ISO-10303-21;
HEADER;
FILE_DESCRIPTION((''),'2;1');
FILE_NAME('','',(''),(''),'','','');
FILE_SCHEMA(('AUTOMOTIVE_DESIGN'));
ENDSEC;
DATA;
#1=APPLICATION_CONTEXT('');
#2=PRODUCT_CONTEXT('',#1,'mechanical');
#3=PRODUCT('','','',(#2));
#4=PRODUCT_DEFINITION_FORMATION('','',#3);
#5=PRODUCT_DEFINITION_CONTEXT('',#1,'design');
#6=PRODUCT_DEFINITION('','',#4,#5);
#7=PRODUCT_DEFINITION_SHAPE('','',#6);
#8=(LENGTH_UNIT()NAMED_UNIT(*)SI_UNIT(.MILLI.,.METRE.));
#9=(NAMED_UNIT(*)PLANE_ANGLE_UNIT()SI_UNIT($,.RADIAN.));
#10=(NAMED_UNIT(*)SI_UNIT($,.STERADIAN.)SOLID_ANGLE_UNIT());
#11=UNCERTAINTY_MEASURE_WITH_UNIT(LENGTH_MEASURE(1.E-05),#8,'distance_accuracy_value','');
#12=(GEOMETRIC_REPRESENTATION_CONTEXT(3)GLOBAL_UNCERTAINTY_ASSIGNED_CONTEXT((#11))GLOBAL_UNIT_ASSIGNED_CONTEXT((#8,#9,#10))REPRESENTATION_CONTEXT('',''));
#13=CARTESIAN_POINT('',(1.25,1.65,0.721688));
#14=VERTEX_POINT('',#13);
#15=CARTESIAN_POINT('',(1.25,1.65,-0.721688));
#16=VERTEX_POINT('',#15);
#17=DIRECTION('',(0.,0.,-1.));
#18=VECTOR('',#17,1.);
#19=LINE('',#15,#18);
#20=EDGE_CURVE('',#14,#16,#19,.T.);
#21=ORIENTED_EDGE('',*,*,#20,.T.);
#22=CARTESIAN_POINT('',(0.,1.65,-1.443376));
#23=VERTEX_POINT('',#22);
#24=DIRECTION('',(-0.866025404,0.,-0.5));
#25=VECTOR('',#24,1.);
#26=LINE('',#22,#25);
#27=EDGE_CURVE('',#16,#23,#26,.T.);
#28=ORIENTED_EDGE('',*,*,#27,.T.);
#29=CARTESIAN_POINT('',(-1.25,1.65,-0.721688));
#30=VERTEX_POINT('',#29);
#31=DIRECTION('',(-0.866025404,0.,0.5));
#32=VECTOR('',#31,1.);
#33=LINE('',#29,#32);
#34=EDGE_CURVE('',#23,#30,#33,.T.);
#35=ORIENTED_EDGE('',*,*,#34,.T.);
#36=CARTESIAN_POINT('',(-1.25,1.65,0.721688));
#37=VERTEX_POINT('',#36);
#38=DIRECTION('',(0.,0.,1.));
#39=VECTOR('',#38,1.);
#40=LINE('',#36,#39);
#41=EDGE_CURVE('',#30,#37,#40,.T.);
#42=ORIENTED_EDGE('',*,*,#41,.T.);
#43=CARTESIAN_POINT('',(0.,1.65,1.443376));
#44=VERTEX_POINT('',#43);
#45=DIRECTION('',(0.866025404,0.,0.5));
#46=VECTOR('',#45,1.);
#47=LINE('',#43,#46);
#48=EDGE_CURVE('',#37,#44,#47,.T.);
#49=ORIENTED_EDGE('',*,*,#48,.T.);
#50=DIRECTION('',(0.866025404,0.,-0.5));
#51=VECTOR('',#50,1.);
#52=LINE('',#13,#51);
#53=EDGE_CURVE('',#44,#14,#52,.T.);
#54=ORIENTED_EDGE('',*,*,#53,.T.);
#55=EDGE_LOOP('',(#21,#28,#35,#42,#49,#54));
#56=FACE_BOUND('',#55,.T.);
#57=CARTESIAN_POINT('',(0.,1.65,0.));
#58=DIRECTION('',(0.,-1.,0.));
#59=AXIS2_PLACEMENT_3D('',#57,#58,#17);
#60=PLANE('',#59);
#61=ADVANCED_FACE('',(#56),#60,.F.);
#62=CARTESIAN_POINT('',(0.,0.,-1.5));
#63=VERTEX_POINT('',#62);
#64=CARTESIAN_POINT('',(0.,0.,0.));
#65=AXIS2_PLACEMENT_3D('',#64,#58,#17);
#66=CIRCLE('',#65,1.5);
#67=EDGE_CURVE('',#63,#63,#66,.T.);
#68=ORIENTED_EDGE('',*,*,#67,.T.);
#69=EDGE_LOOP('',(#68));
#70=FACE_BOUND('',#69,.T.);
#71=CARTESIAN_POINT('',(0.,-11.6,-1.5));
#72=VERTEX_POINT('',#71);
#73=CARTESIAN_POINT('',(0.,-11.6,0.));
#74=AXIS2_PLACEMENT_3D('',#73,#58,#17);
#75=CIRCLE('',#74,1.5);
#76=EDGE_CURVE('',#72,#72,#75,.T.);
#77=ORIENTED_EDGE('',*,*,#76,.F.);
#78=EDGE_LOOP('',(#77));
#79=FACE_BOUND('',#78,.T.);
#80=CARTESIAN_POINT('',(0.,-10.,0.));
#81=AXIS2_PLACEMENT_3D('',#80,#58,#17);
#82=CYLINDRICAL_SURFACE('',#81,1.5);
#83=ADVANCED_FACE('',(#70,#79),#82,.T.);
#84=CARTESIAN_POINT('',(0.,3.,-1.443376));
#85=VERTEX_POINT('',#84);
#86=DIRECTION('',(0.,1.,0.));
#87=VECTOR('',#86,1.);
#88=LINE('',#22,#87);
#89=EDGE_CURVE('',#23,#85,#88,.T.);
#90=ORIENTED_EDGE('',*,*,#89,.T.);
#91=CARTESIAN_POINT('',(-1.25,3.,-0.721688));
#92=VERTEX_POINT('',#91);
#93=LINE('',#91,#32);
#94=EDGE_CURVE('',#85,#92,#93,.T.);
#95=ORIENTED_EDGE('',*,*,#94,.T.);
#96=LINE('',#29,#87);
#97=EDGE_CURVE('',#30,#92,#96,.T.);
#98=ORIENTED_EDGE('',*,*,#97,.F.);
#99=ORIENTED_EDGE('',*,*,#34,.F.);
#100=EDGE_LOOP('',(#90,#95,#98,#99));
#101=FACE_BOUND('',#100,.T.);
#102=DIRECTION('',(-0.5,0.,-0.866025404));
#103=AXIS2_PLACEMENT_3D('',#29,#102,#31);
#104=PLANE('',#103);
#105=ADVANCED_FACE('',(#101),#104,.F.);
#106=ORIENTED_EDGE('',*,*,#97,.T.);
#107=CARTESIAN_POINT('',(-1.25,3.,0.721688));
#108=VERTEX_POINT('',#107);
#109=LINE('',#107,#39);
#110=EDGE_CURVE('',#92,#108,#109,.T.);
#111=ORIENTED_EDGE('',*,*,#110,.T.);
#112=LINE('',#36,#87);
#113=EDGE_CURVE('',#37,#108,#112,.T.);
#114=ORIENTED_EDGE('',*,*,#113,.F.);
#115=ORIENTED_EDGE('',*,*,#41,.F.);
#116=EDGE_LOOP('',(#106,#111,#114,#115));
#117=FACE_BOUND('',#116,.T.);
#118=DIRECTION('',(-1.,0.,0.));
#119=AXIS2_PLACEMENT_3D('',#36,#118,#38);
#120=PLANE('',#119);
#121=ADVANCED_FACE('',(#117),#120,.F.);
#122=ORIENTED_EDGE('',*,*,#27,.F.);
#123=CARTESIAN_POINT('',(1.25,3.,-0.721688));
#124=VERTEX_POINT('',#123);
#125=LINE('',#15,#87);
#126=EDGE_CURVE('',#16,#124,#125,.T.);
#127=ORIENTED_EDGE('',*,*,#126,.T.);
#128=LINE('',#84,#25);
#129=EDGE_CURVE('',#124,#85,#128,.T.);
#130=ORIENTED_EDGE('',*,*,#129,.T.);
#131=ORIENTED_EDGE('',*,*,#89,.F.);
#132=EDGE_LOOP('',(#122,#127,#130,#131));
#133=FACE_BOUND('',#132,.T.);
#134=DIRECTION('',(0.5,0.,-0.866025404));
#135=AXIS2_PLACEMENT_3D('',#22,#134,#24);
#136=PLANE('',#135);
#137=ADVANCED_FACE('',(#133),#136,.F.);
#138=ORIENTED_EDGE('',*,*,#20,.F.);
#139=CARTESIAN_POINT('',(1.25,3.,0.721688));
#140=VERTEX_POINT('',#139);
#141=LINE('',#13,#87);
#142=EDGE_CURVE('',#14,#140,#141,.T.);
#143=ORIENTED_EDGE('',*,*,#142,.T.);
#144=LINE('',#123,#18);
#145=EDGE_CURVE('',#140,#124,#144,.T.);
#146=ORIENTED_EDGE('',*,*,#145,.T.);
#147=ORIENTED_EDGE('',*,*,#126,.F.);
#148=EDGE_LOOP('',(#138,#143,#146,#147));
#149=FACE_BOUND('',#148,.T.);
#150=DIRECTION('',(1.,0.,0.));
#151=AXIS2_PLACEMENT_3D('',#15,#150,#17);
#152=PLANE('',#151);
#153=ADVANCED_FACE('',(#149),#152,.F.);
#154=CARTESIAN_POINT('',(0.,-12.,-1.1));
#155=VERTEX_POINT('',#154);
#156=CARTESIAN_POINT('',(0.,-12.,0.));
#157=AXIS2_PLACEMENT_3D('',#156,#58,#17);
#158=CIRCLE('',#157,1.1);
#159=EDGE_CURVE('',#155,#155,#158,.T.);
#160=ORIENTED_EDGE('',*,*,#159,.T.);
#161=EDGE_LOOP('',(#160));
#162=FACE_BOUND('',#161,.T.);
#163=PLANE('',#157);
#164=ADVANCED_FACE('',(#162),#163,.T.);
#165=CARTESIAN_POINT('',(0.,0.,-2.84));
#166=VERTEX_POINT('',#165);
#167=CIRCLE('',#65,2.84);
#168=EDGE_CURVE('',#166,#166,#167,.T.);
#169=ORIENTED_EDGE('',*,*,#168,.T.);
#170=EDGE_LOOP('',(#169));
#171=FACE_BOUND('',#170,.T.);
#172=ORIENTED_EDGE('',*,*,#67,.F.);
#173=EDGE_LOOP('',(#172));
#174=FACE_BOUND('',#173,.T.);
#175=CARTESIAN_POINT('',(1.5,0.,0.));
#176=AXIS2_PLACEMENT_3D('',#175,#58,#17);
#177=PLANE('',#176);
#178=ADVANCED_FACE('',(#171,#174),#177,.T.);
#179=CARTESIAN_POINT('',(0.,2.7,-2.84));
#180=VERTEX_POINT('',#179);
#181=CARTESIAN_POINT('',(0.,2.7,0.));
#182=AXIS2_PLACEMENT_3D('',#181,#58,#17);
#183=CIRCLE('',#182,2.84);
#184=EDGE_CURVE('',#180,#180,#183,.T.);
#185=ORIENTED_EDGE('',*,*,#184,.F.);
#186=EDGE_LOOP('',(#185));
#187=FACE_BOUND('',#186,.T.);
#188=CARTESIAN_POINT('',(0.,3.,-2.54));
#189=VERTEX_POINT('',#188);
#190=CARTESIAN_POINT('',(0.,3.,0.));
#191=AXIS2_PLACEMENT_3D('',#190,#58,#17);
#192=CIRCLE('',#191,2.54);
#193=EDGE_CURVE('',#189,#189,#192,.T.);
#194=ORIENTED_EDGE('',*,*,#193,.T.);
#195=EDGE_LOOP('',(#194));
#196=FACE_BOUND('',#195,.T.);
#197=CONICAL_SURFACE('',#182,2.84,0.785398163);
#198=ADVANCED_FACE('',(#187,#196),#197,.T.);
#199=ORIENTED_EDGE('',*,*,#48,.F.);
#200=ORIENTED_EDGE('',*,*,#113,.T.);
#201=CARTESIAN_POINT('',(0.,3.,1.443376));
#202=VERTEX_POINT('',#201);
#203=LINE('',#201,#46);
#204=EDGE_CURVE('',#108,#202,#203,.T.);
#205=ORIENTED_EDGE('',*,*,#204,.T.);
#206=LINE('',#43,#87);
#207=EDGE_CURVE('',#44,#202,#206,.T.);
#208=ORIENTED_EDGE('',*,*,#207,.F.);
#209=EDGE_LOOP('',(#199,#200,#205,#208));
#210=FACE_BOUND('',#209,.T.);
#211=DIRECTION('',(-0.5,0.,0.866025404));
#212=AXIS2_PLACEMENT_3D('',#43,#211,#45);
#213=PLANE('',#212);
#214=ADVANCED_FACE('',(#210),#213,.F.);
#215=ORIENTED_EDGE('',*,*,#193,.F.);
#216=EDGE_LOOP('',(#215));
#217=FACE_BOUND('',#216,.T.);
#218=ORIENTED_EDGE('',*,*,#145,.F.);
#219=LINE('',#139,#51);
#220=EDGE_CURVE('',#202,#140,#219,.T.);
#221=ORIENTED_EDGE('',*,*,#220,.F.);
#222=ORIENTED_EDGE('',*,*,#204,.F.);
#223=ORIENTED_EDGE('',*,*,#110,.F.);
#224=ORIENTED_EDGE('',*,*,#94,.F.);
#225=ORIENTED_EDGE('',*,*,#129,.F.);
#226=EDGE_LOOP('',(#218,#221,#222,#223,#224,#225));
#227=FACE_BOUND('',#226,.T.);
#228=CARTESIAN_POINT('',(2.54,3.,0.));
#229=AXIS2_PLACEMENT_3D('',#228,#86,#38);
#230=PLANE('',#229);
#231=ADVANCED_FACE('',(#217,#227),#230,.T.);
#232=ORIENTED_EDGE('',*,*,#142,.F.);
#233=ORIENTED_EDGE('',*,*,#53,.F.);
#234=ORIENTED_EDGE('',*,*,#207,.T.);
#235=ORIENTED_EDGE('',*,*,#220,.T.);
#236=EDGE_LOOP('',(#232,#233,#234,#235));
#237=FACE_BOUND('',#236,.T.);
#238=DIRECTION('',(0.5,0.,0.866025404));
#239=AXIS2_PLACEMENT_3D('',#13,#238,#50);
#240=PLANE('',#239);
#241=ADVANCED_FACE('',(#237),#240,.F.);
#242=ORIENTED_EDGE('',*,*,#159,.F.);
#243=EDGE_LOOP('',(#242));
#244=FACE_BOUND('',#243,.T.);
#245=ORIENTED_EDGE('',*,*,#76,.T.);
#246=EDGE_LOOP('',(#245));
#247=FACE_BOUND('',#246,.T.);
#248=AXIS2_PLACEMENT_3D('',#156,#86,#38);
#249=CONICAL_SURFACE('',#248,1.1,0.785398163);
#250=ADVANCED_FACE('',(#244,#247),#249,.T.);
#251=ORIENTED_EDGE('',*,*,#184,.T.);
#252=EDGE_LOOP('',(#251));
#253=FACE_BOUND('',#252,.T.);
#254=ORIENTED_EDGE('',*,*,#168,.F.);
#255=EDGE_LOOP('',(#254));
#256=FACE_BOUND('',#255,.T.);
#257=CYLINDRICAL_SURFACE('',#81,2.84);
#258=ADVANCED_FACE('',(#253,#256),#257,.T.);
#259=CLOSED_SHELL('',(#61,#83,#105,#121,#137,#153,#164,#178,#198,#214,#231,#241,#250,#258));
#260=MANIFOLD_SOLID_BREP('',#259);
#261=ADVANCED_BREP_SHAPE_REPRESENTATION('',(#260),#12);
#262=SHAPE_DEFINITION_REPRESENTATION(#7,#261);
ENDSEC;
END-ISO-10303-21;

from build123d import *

# Parameters (mm, degrees)
CUT_EXTRUDE1_DEPTH = 1.35


with BuildPart() as part:
    # Sketch1 → Revolve1 (revolve)
    with BuildSketch(Plane.XY, mode=Mode.PRIVATE) as revolve1_sk:
        Polygon((0, -12), (1.1, -12), (1.5, -11.6), (1.5, 0), (2.84, 0), (2.84, 2.7), (2.54, 3), (0, 3), align=None)
    revolve(revolve1_sk.sketch.rotate(Axis((0, -10, 0), (0, 1, 0)), 90), axis=Axis((0, -10, 0), (0, 1, 0)))

    # Sketch2 → Cut-Extrude1 (cut)
    with BuildSketch(Plane(origin=(0, 3, 0), x_dir=(1, 0, 0), z_dir=(0, 1, 0))):
        Polygon((1.25, -0.721687836), (0, -1.443375673), (-1.25, -0.721687836), (-1.25, 0.721687836), (0, 1.443375673), (1.25, 0.721687836), align=None)
    extrude(amount=-CUT_EXTRUDE1_DEPTH, mode=Mode.SUBTRACT)


solid = part.part
